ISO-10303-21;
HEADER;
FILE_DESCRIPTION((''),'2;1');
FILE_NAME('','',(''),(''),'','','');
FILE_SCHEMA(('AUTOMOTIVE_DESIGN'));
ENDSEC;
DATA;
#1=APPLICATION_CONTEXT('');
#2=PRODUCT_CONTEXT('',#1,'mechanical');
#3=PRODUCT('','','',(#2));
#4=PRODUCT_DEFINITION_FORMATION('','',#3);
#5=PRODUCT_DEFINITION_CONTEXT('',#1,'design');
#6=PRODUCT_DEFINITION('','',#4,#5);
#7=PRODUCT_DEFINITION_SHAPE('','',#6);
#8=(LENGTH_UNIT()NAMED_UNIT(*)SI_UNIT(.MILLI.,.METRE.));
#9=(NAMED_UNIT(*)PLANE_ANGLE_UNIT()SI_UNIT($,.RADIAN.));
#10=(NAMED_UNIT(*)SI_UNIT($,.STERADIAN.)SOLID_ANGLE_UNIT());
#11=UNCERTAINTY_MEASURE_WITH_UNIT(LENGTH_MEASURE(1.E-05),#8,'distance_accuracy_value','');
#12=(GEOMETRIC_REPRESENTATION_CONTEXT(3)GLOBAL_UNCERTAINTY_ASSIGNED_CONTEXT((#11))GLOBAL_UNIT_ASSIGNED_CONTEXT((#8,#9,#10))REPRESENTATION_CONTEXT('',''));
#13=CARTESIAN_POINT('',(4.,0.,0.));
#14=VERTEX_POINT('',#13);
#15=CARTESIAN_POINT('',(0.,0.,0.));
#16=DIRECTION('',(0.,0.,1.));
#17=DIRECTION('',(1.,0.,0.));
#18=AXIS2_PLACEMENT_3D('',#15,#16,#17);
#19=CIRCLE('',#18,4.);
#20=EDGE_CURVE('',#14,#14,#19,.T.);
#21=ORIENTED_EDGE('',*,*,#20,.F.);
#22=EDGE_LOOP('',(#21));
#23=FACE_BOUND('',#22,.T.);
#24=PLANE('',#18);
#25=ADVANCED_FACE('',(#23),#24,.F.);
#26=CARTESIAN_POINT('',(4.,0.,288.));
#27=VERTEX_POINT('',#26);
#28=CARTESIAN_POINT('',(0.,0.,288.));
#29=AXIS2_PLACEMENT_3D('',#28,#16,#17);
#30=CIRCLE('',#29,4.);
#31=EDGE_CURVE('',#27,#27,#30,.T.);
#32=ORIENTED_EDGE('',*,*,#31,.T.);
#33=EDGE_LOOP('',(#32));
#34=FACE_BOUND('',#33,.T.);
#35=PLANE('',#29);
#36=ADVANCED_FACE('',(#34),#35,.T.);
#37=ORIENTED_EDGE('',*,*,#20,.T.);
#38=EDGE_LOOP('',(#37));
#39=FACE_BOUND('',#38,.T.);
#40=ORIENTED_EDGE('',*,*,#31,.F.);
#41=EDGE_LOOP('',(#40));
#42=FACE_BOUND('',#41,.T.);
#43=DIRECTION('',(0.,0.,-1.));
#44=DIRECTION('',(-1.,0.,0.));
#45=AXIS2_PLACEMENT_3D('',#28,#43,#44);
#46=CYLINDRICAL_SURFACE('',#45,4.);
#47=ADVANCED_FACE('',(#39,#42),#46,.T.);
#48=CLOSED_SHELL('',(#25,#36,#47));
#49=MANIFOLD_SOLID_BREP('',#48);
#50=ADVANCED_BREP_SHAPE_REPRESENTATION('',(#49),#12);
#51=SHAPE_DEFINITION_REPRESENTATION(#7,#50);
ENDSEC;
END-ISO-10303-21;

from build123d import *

# Parameters (mm, degrees)
ESQUISSE1_R        = 4
BOSS_EXTRU_1_DEPTH = 288


with BuildPart() as part:
    # Esquisse1 → Boss.-Extru.1 (new body)
    with BuildSketch(Plane.XY):
        Circle(ESQUISSE1_R)
    extrude(amount=BOSS_EXTRU_1_DEPTH)


solid = part.part
